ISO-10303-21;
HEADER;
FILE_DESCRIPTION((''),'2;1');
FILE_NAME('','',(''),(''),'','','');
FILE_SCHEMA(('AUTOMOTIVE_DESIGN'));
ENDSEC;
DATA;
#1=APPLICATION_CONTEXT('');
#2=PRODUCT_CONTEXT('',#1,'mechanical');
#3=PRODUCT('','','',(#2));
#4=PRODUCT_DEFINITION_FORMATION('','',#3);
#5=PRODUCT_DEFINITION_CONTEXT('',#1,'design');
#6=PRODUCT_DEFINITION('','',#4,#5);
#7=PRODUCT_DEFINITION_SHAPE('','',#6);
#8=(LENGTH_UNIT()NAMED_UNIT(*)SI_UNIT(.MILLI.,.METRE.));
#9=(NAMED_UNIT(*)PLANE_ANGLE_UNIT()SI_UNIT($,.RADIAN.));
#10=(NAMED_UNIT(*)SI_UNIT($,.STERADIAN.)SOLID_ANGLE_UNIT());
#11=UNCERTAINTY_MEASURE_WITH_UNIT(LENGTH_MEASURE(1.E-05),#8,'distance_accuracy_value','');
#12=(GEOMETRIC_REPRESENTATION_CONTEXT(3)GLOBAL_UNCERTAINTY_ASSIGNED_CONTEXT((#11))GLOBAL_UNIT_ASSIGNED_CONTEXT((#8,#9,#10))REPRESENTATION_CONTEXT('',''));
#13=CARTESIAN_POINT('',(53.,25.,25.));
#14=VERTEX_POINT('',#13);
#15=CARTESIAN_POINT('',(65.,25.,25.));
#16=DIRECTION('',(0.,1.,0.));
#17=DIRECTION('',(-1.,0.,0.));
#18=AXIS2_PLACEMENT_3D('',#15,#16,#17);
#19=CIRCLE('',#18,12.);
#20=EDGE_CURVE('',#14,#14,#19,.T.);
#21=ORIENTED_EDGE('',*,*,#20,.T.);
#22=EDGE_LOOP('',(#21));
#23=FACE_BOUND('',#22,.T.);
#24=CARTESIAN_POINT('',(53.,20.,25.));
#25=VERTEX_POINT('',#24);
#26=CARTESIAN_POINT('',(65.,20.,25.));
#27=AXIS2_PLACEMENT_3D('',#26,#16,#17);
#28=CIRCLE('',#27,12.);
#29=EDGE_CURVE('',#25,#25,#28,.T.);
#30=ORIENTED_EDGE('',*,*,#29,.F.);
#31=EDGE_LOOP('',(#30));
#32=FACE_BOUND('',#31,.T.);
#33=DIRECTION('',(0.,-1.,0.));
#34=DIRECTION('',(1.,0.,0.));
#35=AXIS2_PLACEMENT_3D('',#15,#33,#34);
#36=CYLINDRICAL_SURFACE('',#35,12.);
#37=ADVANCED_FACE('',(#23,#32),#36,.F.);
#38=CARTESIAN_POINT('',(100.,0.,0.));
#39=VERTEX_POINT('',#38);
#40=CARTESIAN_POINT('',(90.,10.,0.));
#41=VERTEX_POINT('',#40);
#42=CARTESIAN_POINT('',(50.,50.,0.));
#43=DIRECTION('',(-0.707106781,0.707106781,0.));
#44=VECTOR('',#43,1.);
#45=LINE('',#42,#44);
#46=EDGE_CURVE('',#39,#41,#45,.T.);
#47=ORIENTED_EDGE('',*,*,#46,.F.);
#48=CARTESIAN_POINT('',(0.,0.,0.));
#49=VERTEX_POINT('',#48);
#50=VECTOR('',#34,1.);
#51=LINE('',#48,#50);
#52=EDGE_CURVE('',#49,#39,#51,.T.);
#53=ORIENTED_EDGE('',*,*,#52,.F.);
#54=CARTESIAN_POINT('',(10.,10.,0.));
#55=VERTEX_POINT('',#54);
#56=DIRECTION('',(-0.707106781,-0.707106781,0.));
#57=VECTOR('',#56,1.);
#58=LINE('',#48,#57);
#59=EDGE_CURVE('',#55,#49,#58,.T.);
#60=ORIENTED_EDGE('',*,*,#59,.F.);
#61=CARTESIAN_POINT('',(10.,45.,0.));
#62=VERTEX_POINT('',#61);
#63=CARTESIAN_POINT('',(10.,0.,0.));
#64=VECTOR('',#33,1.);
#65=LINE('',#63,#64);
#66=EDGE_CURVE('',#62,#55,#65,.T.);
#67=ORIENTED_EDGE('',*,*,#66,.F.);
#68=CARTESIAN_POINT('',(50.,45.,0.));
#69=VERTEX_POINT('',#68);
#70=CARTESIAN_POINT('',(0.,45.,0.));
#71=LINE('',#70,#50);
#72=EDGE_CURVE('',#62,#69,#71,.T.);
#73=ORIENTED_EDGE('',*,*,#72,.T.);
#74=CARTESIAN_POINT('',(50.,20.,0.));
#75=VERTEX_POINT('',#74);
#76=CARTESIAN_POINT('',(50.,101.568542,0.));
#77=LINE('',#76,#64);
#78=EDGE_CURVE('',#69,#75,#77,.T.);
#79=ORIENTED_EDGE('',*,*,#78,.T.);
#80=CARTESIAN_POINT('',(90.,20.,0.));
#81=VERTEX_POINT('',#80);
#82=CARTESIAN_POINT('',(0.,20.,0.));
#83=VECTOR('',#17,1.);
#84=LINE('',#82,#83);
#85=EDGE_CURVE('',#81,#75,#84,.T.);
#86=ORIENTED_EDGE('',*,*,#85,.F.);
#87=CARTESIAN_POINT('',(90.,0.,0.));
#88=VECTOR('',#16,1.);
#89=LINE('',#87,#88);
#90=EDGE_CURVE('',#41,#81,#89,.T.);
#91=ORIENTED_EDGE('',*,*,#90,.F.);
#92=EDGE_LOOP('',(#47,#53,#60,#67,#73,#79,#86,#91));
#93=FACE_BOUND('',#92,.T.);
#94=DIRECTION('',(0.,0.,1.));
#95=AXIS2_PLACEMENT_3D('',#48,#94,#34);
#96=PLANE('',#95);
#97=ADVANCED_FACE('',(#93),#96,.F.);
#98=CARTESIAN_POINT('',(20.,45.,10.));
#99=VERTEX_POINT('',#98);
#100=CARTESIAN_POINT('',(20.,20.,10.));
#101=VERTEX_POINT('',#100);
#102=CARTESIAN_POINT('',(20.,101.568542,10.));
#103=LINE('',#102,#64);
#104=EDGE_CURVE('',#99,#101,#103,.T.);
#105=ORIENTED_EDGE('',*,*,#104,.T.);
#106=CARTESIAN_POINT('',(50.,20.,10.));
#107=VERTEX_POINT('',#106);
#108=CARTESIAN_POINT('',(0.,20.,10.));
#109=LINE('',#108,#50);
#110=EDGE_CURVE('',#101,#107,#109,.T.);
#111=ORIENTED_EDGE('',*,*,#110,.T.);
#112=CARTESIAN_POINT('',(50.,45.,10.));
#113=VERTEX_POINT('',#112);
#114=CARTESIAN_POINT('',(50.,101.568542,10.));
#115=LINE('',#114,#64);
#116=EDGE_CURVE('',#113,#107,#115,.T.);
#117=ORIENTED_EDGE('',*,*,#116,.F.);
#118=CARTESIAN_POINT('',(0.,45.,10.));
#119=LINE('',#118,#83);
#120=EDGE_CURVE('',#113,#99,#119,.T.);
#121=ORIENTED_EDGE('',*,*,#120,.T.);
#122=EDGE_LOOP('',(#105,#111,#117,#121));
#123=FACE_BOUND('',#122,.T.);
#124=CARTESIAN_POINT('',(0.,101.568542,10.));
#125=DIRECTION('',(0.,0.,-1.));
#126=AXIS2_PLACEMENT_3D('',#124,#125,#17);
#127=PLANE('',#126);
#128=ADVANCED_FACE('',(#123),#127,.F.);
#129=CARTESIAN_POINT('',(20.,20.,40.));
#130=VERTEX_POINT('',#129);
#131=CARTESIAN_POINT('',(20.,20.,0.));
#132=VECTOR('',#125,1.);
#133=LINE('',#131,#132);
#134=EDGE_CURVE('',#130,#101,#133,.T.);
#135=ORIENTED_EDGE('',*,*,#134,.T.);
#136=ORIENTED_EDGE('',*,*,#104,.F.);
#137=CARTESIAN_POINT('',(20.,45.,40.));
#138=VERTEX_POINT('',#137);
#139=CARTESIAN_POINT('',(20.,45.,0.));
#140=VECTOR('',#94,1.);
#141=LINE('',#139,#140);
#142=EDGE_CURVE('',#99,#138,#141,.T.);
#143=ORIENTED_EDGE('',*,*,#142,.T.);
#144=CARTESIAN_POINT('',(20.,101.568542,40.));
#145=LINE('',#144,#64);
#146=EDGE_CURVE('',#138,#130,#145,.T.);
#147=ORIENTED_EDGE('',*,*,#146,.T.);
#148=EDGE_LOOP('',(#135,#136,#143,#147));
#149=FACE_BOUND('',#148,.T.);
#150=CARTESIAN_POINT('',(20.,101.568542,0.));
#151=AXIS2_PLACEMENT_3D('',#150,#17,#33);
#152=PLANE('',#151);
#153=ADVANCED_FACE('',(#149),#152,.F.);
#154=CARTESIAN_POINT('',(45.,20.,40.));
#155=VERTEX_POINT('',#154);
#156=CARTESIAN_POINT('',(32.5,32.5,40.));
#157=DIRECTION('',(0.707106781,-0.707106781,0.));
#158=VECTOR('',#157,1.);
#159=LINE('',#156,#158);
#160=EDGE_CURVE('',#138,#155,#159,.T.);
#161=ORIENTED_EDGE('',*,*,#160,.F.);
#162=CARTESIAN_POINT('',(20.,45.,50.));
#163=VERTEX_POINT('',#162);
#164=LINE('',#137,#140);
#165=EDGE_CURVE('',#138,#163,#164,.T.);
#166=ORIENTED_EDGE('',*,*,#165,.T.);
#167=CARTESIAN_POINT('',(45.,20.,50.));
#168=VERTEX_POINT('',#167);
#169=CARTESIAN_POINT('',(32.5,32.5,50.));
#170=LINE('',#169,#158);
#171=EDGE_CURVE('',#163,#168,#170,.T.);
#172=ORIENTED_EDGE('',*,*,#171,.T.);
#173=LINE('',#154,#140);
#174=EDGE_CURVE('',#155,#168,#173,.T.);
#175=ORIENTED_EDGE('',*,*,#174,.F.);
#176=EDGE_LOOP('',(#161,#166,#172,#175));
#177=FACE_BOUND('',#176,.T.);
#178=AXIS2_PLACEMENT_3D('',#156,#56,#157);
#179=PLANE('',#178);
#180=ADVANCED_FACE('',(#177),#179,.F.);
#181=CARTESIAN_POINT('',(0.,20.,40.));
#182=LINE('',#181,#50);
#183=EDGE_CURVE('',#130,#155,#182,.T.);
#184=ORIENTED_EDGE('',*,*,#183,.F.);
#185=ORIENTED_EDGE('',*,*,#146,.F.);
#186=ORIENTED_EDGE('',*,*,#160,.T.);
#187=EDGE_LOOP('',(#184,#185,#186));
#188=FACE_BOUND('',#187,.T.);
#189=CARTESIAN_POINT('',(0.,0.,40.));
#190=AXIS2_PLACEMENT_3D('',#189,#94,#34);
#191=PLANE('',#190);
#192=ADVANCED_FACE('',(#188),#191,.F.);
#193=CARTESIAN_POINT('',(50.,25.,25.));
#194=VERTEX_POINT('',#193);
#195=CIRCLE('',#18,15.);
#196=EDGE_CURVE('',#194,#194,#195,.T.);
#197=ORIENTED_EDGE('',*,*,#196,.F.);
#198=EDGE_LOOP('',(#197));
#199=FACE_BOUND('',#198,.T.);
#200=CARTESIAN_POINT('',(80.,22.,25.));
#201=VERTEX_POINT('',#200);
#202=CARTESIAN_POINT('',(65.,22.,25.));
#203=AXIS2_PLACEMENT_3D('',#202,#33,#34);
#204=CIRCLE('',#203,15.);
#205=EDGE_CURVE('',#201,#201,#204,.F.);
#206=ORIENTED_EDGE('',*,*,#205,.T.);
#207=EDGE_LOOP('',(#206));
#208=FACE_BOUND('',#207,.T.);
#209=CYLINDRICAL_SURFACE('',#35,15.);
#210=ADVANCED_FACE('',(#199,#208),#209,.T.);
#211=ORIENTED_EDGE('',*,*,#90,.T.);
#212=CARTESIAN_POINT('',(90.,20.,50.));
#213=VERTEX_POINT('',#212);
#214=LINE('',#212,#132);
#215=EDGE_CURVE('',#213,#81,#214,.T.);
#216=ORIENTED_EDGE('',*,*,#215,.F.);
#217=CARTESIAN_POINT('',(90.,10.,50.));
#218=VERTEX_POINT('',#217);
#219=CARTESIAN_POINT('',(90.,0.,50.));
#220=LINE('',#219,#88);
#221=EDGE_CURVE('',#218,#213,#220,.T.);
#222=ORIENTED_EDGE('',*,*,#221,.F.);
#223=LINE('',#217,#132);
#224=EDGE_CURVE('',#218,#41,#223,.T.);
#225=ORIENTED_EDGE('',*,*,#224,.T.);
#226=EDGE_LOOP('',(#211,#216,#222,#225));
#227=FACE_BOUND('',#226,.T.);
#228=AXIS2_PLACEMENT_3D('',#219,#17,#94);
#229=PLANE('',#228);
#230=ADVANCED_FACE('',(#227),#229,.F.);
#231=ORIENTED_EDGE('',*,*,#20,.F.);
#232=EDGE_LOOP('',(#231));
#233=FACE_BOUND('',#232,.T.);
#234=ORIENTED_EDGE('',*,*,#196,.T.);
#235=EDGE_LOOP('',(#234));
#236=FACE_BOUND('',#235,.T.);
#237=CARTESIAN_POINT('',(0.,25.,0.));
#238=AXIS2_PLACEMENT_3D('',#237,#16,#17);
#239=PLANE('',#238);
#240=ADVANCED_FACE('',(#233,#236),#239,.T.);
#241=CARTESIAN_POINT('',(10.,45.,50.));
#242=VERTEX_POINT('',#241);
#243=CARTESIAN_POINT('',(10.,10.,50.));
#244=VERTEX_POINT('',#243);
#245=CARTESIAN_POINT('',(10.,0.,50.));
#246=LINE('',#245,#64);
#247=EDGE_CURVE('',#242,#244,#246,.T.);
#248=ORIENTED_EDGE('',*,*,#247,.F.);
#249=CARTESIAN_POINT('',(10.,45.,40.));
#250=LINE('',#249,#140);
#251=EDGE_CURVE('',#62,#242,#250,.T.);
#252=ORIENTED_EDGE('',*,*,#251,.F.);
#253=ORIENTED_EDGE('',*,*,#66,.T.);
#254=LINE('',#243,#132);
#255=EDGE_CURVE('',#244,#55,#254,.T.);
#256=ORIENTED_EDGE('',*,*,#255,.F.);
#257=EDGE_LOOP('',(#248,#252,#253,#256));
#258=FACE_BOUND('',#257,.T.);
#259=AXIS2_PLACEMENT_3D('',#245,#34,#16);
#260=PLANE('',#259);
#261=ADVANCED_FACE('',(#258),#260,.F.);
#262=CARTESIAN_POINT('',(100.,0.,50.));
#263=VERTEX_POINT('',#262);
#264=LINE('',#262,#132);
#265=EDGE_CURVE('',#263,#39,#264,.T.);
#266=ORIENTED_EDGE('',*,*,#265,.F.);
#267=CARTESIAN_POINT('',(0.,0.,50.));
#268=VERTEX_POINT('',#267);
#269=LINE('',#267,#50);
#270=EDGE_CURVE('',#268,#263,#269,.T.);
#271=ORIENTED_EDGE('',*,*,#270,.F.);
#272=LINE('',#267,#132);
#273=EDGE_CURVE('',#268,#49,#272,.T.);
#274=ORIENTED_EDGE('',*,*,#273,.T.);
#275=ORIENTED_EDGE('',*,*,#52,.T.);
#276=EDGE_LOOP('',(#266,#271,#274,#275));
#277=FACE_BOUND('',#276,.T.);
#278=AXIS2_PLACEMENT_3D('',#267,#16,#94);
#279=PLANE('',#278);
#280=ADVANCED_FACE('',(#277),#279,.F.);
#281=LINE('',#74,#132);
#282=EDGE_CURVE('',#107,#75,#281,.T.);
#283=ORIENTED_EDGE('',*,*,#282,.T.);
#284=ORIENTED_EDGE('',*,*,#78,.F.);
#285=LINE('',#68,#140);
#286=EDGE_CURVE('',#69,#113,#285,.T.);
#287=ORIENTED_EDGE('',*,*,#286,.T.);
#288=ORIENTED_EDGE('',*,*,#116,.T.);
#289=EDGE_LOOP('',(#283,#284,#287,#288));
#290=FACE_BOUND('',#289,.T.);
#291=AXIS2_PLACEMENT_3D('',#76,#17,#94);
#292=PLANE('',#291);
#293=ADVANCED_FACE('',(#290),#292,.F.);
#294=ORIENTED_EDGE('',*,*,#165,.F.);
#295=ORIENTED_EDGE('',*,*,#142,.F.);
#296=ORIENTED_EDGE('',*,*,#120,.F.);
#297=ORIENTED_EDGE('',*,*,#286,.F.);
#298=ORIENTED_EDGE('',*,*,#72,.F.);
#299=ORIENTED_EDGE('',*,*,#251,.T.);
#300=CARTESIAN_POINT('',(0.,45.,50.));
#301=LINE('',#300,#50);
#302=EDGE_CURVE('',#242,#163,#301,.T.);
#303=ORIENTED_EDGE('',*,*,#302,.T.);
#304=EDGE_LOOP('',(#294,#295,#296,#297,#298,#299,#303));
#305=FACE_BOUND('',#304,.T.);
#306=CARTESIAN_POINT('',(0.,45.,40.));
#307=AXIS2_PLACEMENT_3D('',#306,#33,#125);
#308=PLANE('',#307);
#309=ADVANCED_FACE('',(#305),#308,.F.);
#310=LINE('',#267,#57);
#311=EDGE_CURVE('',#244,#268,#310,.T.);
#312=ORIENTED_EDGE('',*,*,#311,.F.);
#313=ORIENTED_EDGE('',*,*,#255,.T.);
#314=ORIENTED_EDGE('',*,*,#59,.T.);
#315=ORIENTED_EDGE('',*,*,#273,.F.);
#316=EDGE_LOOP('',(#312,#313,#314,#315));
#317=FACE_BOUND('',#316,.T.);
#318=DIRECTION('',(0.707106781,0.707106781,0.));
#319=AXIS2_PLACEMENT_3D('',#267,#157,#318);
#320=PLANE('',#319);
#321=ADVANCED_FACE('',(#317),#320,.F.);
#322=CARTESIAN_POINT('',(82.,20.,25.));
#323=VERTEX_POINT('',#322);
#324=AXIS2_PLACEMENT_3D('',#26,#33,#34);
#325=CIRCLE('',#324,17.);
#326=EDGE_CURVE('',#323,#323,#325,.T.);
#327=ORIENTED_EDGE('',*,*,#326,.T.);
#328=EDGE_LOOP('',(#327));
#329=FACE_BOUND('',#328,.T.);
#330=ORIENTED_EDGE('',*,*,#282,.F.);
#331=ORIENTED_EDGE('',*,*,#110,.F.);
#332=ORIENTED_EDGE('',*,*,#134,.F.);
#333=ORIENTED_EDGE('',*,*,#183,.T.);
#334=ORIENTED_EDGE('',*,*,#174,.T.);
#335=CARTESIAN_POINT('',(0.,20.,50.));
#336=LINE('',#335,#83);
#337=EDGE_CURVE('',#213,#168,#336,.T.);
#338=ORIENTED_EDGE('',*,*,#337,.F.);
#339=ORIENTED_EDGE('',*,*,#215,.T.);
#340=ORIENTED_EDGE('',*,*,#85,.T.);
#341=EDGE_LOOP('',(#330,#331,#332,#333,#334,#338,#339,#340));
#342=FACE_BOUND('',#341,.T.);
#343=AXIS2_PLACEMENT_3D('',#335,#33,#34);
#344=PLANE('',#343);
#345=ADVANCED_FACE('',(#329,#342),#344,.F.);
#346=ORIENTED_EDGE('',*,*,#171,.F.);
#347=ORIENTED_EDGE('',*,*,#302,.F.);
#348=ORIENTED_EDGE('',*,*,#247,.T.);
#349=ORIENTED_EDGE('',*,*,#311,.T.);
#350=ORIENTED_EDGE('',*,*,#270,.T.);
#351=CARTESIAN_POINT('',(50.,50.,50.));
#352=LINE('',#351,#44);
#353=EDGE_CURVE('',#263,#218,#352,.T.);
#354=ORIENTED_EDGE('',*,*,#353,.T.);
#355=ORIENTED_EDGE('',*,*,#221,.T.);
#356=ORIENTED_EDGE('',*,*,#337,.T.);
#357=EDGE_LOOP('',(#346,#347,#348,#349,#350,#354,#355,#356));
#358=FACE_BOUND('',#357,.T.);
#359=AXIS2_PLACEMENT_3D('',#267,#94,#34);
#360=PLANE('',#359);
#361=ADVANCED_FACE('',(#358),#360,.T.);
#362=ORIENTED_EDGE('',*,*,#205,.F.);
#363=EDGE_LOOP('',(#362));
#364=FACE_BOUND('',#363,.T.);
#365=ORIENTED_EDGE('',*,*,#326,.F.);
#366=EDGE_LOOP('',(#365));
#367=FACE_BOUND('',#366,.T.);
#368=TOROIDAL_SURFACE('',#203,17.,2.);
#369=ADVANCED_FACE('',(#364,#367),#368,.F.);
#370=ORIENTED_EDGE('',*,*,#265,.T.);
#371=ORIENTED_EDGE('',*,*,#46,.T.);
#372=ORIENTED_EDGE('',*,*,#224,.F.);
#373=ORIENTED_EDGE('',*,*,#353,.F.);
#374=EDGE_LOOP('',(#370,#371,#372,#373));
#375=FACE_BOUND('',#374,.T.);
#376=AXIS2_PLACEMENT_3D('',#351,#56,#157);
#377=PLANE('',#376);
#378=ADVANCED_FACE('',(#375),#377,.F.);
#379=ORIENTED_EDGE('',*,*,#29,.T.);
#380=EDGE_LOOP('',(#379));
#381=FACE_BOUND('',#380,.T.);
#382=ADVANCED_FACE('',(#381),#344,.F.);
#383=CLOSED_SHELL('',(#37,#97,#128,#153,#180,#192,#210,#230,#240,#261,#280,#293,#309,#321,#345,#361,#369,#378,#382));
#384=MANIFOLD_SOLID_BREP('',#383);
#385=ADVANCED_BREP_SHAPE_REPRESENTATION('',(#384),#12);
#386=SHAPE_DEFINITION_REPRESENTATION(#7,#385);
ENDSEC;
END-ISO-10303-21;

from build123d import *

# Parameters (mm, degrees)
BOSS_EXTRUDE1_DEPTH = 50
BOSS_EXTRUDE2_START = 50
BOSS_EXTRUDE2_DEPTH = 10
SKETCH2_R           = 15
SKETCH2_R_2         = 12
BOSS_EXTRUDE3_DEPTH = 5
BOSS_EXTRUDE4_DEPTH = 25
FILLET1_R           = 2


with BuildPart() as part:
    # Sketch1 → Boss-Extrude1 (new body)
    with BuildSketch(Plane.XY):
        Polygon((10, 10), (0, 0), (100, 0), (90, 10), (90, 20), (45, 20), (10, 20), align=None)
    extrude(amount=BOSS_EXTRUDE1_DEPTH)

    # Sketch1<4> → Boss-Extrude2 (add)
    with BuildSketch(Plane.XY.offset(BOSS_EXTRUDE2_START)):
        Polygon((10, 45), (10, 20), (45, 20), (20, 45), align=None)
    extrude(amount=-BOSS_EXTRUDE2_DEPTH)

    # Sketch2 → Boss-Extrude3 (add)
    with BuildSketch(Plane(origin=(0, 20, 0), x_dir=(1, 0, 0), z_dir=(0, 1, 0))):
        with Locations((65, -25)):
            Circle(SKETCH2_R)
        with Locations(Location((65, -25, 0), (0, 0, 180))):
            Circle(SKETCH2_R_2, mode=Mode.SUBTRACT)
    extrude(amount=BOSS_EXTRUDE3_DEPTH)

    # Sketch2<3> → Boss-Extrude4 (add)
    with BuildSketch(Plane(origin=(0, 20, 0), x_dir=(1, 0, 0), z_dir=(0, 1, 0))):
        Polygon((10, -40), (20, -40), (20, -10), (50, -10), (50, 0), (10, 0), align=None)
    extrude(amount=BOSS_EXTRUDE4_DEPTH)

    # Fillet1
    fillet1_edges = [part.edges().sort_by_distance(p)[0] for p in [
        (50, 20, 25),
    ]]
    fillet(fillet1_edges, radius=FILLET1_R)


solid = part.part
